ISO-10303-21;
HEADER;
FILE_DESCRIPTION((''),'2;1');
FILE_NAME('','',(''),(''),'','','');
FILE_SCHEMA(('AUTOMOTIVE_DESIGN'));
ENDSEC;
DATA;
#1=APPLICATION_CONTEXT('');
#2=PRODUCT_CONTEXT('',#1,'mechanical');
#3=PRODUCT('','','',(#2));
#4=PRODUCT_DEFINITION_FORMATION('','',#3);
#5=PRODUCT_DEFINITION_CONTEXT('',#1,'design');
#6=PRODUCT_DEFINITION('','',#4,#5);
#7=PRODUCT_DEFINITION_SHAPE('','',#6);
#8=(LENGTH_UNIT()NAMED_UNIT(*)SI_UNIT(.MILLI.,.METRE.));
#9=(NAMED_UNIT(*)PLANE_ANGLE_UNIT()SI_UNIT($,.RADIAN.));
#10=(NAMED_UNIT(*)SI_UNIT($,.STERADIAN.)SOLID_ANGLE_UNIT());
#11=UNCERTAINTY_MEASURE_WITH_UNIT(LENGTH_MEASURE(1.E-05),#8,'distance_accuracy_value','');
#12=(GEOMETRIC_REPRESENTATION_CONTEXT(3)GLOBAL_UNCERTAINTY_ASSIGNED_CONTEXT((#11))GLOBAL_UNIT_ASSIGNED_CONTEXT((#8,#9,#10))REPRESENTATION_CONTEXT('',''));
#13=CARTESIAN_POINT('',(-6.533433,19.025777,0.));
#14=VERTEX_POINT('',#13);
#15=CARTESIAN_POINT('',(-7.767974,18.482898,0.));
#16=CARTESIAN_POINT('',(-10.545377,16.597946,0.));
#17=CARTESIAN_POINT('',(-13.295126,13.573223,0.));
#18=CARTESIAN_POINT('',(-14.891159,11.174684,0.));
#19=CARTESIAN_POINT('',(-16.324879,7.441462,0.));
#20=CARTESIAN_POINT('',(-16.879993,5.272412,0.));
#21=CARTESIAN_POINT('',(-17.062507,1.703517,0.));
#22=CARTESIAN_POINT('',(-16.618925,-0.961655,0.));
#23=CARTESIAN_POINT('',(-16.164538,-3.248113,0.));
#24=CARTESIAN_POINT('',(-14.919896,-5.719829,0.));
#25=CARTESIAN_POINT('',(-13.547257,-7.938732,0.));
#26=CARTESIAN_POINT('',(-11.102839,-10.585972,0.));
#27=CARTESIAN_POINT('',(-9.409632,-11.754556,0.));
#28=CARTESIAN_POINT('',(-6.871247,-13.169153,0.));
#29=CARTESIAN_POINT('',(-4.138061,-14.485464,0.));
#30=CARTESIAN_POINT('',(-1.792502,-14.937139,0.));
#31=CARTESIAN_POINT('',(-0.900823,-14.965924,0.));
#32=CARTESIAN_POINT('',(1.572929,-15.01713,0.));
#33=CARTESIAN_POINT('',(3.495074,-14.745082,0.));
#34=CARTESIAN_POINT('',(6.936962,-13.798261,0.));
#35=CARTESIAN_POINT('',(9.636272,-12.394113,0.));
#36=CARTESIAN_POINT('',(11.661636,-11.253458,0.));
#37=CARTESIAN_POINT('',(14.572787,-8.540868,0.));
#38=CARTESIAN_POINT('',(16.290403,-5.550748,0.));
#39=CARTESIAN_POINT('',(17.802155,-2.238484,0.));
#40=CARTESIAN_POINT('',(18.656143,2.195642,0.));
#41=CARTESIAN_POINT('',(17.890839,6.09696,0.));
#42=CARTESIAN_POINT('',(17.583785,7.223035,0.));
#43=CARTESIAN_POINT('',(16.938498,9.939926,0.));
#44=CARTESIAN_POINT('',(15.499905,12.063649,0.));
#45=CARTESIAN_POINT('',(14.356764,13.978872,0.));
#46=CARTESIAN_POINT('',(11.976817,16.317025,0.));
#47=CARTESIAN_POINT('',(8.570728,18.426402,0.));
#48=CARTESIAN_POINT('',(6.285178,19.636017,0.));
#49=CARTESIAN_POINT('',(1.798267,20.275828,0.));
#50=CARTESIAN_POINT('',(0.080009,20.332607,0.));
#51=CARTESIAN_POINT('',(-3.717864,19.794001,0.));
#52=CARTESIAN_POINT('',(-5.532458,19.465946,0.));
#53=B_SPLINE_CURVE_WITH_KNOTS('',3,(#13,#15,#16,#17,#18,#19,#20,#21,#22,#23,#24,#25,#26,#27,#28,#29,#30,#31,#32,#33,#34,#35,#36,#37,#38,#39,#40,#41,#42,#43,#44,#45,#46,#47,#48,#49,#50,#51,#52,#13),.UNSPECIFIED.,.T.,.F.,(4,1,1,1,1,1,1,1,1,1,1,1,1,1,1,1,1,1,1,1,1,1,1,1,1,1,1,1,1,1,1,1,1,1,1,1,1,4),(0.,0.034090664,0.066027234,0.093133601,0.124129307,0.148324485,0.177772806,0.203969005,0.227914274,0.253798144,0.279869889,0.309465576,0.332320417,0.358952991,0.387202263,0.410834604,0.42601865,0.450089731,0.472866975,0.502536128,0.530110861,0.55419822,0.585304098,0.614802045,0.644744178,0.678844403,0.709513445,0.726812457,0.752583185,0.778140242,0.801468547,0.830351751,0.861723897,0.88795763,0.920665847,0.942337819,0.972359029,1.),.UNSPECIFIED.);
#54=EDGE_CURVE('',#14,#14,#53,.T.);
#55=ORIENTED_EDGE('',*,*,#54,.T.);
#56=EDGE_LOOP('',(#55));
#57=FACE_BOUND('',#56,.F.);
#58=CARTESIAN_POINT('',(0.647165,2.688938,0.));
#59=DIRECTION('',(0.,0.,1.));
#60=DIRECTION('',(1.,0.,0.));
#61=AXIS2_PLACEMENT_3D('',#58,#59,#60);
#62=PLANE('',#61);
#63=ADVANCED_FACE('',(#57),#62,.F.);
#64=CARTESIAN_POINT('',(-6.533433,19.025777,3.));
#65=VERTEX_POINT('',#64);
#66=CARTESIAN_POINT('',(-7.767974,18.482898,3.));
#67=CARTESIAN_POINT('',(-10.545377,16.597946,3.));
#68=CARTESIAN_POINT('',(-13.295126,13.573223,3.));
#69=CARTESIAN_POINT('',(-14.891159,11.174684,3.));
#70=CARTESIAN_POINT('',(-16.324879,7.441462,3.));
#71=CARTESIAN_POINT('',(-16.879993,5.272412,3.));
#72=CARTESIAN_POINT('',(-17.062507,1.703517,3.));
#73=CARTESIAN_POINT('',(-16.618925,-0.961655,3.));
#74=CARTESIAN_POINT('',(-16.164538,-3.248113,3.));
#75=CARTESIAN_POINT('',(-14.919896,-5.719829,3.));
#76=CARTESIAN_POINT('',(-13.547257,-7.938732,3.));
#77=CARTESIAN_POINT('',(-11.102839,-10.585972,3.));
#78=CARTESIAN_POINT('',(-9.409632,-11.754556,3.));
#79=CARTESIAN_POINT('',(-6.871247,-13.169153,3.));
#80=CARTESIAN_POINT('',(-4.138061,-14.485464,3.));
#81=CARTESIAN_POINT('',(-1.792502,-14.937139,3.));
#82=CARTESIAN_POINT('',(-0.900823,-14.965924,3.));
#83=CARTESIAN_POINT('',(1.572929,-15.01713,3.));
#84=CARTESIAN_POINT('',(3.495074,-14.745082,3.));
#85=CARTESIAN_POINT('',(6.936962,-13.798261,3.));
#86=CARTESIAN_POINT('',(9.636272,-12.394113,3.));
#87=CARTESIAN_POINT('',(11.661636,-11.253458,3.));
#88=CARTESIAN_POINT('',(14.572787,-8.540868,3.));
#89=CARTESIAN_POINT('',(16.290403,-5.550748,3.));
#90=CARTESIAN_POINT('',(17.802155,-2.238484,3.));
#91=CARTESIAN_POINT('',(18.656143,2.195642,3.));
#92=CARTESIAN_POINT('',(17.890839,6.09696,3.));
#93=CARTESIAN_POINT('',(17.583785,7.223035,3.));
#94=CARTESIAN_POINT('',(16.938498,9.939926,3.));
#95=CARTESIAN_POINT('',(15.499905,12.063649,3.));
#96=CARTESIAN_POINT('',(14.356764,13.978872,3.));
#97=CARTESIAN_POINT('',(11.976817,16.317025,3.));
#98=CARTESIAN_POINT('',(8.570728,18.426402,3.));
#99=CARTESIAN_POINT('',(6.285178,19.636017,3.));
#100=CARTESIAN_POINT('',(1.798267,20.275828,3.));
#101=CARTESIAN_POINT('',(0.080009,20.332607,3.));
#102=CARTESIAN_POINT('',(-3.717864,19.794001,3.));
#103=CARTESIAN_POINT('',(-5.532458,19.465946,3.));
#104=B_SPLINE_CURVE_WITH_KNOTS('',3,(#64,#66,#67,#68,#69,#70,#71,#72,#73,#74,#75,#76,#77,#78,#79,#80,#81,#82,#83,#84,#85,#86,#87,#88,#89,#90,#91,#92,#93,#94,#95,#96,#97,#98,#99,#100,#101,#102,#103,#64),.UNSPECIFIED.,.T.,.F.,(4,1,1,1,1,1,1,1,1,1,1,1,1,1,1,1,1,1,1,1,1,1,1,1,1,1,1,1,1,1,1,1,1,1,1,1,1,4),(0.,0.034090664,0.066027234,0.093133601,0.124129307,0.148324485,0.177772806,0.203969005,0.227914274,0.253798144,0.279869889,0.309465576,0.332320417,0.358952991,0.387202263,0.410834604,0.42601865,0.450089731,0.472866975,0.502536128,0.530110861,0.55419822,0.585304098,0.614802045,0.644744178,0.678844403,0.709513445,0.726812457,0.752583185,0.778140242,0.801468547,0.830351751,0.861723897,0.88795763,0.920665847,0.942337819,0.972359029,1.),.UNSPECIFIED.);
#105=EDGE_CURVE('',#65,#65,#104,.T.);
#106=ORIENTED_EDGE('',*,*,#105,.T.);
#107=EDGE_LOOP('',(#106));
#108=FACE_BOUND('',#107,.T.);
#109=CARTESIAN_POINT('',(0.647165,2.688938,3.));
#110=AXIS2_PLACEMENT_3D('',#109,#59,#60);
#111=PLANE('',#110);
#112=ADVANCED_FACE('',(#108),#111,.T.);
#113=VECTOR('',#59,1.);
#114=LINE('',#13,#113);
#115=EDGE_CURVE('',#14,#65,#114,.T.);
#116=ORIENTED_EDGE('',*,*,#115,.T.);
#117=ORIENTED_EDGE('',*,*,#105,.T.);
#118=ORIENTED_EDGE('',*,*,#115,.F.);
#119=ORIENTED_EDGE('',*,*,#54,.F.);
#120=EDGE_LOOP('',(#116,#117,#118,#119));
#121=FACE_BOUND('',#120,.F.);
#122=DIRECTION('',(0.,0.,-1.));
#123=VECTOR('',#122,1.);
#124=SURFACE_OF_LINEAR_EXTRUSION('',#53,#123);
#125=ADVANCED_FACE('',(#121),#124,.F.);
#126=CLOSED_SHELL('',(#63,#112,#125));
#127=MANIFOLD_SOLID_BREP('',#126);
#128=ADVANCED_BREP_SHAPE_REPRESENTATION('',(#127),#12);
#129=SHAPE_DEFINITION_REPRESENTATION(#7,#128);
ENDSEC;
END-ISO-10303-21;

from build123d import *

# Parameters (mm, degrees)
F1_DEPTH = 3


with BuildPart() as f1:
    # F0 (on Top) → F1 (new body)
    with BuildSketch(Plane.XY):
        with BuildLine():
            add(Edge.make_bspline(
                [(-6.5334332176, 19.0257765353), (-7.7679743094, 18.4828983031), (-10.5453770299, 16.5979455392), (-13.2951259411, 13.5732227963), (-14.8911589829, 11.1746837401), (-16.3248785587, 7.4414622639), (-16.8799931647, 5.2724118535), (-17.0625071429, 1.7035171442), (-16.6189251548, -0.9616554199), (-16.1645375136, -3.2481131898), (-14.9198958073, -5.7198294239), (-13.5472571, -7.938731676), (-11.1028387332, -10.5859717995), (-9.4096315397, -11.7545557819), (-6.871246768, -13.1691530075), (-4.138061228, -14.4854637133), (-1.7925018306, -14.9371390538), (-0.9008226264, -14.9659240699), (1.5729288002, -15.0171300187), (3.4950738208, -14.7450824597), (6.9369617805, -13.7982612955), (9.6362721717, -12.3941128612), (11.6616357767, -11.2534578798), (14.5727873863, -8.5408682496), (16.2904028222, -5.550747647), (17.8021545214, -2.2384837344), (18.6561431219, 2.1956420494), (17.8908392932, 6.0969596475), (17.5837854779, 7.2230345448), (16.938497602, 9.9399258045), (15.4999052842, 12.0636491626), (14.356763943, 13.9788716377), (11.9768169113, 16.3170250679), (8.5707279483, 18.4264022085), (6.2851777242, 19.6360172271), (1.7982671168, 20.2758281908), (0.0800087182, 20.3326074378), (-3.7178636005, 19.7940013404), (-5.5324578659, 19.4659463546), (-6.5334332176, 19.0257765353)],
                knots=[0, 0, 0, 0, 0.0340906641, 0.066027234, 0.0931336014, 0.124129307, 0.1483244851, 0.1777728063, 0.2039690054, 0.2279142744, 0.2537981441, 0.279869889, 0.3094655758, 0.3323204173, 0.3589529912, 0.3872022625, 0.4108346037, 0.4260186498, 0.4500897308, 0.472866975, 0.5025361284, 0.5301108613, 0.5541982196, 0.5853040985, 0.6148020455, 0.6447441778, 0.6788444032, 0.7095134448, 0.7268124572, 0.7525831854, 0.7781402424, 0.8014685466, 0.830351751, 0.8617238966, 0.8879576297, 0.9206658471, 0.9423378191, 0.972359029, 1, 1, 1, 1], degree=3))
        make_face()
    extrude(amount=F1_DEPTH)


solid = f1.part
